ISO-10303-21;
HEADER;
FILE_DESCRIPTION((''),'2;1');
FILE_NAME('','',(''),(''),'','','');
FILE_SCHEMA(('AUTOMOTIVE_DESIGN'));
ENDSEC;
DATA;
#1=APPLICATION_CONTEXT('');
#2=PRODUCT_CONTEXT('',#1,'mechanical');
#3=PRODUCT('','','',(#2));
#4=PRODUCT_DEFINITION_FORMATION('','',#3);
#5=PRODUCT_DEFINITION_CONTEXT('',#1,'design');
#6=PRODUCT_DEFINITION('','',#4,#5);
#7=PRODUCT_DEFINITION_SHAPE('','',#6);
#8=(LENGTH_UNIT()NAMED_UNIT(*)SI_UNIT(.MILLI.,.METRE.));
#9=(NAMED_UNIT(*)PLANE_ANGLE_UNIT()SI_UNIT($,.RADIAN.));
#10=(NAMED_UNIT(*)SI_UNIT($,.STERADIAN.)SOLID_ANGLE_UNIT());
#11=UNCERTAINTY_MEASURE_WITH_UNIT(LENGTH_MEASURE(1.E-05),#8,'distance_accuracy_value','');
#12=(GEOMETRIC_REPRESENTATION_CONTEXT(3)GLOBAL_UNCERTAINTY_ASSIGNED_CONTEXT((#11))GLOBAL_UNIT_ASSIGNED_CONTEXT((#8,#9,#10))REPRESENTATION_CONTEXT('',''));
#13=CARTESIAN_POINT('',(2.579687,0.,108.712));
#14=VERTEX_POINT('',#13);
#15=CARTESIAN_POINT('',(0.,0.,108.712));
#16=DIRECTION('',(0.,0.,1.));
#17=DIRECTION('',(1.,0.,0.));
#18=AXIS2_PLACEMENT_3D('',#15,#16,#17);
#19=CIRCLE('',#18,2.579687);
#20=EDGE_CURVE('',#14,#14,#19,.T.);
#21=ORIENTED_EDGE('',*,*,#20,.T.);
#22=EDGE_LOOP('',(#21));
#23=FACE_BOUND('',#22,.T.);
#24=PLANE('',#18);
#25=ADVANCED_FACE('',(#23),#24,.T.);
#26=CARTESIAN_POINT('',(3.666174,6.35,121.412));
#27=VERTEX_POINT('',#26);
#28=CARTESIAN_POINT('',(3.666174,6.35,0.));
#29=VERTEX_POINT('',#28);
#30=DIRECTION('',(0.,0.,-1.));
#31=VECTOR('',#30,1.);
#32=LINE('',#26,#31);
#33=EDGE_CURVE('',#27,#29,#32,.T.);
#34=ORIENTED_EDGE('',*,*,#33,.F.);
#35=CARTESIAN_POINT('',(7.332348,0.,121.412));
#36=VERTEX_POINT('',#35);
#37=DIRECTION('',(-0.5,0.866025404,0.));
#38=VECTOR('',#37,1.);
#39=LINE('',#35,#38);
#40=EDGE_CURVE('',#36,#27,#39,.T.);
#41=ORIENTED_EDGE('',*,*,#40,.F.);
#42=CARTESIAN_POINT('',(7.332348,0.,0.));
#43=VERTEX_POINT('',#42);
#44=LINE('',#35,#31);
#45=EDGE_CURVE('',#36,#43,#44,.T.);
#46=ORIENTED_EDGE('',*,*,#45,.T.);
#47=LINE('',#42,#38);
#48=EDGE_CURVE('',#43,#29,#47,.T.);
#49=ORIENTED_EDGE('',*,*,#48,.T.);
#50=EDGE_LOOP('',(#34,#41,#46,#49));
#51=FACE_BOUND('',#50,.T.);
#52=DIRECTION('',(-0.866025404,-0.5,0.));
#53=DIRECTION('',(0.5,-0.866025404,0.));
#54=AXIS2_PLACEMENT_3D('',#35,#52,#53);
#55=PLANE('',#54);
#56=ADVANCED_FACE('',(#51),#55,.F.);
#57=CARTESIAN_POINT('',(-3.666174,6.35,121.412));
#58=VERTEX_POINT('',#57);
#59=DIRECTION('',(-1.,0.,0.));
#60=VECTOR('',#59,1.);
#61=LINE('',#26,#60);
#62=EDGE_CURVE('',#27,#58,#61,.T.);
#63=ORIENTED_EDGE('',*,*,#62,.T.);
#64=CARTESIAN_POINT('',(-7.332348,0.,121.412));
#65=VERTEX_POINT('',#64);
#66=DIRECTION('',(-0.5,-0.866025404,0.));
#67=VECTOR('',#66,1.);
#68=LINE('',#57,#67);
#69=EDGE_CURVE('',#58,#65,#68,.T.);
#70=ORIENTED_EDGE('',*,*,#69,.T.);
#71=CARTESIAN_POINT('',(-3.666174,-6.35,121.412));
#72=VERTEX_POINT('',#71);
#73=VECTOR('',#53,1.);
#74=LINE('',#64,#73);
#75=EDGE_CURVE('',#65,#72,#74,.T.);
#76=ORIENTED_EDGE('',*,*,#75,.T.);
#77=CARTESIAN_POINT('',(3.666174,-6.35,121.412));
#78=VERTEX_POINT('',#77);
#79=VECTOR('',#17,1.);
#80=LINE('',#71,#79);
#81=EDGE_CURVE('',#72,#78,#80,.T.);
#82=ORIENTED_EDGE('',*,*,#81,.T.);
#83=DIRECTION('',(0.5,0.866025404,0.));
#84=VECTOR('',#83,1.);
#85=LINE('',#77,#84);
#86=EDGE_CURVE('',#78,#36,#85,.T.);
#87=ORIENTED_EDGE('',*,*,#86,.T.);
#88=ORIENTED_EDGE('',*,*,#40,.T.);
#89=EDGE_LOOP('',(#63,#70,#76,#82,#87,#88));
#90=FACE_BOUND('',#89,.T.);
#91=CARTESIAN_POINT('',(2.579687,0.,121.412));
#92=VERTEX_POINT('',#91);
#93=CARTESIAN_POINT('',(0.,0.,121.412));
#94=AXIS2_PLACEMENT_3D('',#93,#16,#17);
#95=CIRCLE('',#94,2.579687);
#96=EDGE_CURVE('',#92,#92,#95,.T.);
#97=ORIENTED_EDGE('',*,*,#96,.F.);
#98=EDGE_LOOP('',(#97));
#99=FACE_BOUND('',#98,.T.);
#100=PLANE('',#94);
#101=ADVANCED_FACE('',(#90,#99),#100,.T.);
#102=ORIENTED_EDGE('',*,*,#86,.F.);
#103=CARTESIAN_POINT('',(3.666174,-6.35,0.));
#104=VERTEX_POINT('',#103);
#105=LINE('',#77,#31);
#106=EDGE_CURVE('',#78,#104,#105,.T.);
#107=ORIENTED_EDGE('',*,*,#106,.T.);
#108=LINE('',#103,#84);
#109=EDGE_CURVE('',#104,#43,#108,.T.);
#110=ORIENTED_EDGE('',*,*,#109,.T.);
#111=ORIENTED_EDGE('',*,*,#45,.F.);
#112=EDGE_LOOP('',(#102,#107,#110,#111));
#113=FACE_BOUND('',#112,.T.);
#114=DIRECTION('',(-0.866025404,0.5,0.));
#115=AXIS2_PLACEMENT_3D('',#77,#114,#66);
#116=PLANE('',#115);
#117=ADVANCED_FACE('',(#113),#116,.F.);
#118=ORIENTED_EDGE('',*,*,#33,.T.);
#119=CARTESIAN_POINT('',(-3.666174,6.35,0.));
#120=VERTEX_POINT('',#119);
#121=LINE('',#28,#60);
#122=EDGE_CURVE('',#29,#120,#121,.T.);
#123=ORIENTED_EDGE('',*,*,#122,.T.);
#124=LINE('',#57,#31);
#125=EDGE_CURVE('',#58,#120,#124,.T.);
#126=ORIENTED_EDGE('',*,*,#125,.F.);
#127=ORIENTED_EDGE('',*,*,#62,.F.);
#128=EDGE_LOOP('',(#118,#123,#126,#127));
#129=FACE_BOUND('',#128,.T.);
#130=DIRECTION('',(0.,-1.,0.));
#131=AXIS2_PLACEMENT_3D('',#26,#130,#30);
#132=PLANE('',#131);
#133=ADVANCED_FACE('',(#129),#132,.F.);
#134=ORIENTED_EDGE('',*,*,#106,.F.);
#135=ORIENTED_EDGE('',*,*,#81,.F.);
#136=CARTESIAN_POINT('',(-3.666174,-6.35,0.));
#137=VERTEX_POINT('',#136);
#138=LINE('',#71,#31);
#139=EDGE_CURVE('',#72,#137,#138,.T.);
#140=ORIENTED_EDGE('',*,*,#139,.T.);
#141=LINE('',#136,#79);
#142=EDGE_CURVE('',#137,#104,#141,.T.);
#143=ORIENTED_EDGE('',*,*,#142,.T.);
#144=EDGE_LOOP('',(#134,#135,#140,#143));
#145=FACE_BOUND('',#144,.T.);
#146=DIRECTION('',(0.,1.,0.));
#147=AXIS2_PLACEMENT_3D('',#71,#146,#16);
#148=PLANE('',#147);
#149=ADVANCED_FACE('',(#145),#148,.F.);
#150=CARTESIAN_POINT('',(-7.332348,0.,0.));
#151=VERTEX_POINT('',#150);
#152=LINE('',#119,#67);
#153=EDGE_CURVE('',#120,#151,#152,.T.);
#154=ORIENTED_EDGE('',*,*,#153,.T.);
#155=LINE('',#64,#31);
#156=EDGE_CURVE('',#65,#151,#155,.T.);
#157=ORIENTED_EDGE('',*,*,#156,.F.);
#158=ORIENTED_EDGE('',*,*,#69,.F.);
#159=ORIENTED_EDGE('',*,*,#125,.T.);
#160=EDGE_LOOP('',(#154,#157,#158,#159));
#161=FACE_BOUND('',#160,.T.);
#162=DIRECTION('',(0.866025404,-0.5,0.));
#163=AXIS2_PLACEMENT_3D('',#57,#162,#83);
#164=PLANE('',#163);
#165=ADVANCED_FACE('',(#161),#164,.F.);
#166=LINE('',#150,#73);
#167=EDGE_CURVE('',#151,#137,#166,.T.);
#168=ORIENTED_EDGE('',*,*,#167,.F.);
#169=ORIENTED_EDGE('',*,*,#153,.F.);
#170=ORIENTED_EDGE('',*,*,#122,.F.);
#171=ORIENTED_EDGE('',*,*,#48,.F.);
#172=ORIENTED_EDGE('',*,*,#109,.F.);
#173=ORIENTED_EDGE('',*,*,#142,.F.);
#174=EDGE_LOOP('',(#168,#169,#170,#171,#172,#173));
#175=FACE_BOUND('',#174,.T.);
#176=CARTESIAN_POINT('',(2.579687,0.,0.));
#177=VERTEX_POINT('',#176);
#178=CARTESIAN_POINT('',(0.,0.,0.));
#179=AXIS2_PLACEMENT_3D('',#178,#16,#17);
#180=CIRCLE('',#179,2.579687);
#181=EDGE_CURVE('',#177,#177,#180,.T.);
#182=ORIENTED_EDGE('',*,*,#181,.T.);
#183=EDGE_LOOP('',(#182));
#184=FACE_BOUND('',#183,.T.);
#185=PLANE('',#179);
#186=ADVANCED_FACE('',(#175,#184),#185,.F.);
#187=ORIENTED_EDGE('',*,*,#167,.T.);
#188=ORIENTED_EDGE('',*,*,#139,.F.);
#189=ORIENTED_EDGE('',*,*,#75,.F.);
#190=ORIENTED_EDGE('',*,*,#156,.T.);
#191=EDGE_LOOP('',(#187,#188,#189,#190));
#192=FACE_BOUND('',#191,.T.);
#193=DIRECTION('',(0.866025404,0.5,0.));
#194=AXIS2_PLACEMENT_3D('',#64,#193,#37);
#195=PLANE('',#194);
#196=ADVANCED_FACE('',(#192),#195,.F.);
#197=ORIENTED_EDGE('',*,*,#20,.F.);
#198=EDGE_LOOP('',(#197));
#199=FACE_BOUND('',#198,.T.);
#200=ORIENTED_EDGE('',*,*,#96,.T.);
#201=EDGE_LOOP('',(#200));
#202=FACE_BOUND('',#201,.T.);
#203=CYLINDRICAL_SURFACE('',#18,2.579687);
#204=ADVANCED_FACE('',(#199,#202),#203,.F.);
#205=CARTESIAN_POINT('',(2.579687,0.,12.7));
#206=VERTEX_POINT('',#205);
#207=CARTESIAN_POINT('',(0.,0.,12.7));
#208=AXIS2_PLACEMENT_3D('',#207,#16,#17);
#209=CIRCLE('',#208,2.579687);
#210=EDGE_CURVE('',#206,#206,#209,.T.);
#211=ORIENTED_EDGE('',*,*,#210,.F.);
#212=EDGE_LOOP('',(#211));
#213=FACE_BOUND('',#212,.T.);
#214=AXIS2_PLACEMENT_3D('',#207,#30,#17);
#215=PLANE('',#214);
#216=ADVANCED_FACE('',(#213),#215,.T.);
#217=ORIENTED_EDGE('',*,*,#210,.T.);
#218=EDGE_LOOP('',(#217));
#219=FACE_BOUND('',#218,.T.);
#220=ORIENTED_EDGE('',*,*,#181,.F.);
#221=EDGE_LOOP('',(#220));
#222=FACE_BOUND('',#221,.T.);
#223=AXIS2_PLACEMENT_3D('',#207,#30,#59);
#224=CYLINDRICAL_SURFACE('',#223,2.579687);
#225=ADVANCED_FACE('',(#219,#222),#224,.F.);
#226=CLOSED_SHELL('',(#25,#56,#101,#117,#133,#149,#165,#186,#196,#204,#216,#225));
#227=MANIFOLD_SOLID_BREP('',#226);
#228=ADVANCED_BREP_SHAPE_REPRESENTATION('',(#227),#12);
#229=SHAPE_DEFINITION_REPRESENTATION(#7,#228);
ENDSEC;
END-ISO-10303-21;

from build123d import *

# Parameters (mm, degrees)
BOSS_EXTRUDE1_DEPTH = 121.412
SKETCH2_R           = 2.5796875
CUT_EXTRUDE1_DEPTH  = 12.7


with BuildPart() as part:
    # Sketch1 → Boss-Extrude1 (new body)
    with BuildSketch(Plane.XY):
        Polygon((7.332348419, 0), (3.666174209, 6.35), (-3.666174209, 6.35), (-7.332348419, 0), (-3.666174209, -6.35), (3.666174209, -6.35), align=None)
    extrude(amount=BOSS_EXTRUDE1_DEPTH)

    # Sketch2 → Cut-Extrude1 (cut)
    with BuildSketch(Plane.XY.offset(121.412)):
        Circle(SKETCH2_R)
    cut_extrude1 = extrude(amount=-CUT_EXTRUDE1_DEPTH, mode=Mode.SUBTRACT)

    # Mirror1: Cut-Extrude1 across plane
    add(cut_extrude1.mirror(Plane.XY.offset(60.706)), mode=Mode.SUBTRACT)


solid = part.part
